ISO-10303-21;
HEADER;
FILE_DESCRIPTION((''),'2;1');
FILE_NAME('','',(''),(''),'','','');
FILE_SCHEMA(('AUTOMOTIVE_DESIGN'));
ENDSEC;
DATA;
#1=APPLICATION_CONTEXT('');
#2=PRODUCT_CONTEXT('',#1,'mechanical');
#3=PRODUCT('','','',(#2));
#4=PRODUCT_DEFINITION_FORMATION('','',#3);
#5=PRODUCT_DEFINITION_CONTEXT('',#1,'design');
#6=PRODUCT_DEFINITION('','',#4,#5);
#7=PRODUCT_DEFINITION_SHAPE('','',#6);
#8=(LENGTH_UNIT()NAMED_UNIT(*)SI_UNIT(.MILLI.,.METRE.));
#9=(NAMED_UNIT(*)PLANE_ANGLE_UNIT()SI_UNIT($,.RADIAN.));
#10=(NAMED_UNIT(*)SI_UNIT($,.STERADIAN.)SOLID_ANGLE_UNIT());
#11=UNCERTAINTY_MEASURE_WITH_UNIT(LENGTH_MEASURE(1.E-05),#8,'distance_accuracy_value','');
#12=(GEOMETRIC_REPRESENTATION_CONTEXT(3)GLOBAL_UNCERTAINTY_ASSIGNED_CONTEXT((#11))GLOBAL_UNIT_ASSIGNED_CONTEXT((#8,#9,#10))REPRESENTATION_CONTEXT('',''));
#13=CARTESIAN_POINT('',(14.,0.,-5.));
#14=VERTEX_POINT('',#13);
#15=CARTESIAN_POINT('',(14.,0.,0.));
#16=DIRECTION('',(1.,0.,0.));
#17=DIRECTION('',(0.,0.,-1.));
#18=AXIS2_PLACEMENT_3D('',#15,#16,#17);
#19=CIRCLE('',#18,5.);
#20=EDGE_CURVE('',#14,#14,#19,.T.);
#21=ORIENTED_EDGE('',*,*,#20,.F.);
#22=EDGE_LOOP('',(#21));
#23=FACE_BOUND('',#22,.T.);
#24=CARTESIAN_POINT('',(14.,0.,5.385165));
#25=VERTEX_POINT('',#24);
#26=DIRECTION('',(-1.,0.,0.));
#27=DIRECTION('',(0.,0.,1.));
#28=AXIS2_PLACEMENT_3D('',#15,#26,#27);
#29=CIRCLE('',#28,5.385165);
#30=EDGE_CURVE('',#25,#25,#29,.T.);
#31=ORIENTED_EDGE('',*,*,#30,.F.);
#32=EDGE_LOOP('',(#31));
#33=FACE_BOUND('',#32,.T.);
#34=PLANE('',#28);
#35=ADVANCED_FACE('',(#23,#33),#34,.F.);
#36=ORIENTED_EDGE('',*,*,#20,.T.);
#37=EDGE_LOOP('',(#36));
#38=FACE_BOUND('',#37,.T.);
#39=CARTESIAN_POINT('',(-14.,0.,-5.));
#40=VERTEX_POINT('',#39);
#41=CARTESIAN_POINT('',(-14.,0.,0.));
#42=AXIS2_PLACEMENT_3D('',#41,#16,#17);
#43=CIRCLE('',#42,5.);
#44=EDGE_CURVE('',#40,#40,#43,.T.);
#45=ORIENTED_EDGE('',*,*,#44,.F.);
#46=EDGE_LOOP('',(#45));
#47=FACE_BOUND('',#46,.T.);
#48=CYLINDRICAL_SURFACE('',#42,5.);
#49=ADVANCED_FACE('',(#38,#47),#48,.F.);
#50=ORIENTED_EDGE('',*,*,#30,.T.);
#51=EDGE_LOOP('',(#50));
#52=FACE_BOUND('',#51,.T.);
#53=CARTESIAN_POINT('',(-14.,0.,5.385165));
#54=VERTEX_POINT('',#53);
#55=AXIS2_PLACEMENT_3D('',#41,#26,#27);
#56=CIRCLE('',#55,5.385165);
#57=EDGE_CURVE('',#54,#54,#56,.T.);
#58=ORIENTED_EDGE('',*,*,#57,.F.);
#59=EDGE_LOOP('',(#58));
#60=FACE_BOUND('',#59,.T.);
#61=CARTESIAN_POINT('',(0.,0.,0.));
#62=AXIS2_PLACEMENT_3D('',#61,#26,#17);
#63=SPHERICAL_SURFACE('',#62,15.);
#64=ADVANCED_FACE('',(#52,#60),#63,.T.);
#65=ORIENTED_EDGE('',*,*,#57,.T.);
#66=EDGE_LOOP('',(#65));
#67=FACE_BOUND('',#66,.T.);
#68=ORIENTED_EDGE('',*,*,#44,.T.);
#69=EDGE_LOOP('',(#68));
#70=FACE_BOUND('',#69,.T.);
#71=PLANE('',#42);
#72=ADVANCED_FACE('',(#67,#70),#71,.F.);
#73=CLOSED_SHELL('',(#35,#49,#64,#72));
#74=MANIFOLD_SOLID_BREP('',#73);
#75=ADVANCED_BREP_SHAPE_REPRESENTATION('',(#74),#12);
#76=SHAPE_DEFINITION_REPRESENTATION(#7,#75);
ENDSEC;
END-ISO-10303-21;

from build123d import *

# Parameters (mm, degrees)
SKETCH2_R          = 5
CUT_EXTRUDE1_DEPTH = 29


with BuildPart() as part:
    # Sketch1 → Revolve1 (revolve)
    with BuildSketch(Plane(origin=(0, 0, 0), x_dir=(1, 0, 0), z_dir=(0, 1, 0))):
        with BuildLine():
            Line((-14, 0), (-14, 5.385164807))
            ThreePointArc((-14, 5.385164807), (0, 15), (14, 5.385164807))
            Line((14, 5.385164807), (14, 0))
            Line((14, 0), (-14, 0))
        make_face()
    revolve(axis=Axis((-14, 0, 0), (1, 0, 0)))

    # Sketch2 → Cut-Extrude1 (cut, through all)
    with BuildSketch(Plane(origin=(14, 0, 0), x_dir=(0, 0, -1), z_dir=(1, 0, 0))):
        Circle(SKETCH2_R)
    extrude(amount=-CUT_EXTRUDE1_DEPTH, mode=Mode.SUBTRACT)


solid = part.part
